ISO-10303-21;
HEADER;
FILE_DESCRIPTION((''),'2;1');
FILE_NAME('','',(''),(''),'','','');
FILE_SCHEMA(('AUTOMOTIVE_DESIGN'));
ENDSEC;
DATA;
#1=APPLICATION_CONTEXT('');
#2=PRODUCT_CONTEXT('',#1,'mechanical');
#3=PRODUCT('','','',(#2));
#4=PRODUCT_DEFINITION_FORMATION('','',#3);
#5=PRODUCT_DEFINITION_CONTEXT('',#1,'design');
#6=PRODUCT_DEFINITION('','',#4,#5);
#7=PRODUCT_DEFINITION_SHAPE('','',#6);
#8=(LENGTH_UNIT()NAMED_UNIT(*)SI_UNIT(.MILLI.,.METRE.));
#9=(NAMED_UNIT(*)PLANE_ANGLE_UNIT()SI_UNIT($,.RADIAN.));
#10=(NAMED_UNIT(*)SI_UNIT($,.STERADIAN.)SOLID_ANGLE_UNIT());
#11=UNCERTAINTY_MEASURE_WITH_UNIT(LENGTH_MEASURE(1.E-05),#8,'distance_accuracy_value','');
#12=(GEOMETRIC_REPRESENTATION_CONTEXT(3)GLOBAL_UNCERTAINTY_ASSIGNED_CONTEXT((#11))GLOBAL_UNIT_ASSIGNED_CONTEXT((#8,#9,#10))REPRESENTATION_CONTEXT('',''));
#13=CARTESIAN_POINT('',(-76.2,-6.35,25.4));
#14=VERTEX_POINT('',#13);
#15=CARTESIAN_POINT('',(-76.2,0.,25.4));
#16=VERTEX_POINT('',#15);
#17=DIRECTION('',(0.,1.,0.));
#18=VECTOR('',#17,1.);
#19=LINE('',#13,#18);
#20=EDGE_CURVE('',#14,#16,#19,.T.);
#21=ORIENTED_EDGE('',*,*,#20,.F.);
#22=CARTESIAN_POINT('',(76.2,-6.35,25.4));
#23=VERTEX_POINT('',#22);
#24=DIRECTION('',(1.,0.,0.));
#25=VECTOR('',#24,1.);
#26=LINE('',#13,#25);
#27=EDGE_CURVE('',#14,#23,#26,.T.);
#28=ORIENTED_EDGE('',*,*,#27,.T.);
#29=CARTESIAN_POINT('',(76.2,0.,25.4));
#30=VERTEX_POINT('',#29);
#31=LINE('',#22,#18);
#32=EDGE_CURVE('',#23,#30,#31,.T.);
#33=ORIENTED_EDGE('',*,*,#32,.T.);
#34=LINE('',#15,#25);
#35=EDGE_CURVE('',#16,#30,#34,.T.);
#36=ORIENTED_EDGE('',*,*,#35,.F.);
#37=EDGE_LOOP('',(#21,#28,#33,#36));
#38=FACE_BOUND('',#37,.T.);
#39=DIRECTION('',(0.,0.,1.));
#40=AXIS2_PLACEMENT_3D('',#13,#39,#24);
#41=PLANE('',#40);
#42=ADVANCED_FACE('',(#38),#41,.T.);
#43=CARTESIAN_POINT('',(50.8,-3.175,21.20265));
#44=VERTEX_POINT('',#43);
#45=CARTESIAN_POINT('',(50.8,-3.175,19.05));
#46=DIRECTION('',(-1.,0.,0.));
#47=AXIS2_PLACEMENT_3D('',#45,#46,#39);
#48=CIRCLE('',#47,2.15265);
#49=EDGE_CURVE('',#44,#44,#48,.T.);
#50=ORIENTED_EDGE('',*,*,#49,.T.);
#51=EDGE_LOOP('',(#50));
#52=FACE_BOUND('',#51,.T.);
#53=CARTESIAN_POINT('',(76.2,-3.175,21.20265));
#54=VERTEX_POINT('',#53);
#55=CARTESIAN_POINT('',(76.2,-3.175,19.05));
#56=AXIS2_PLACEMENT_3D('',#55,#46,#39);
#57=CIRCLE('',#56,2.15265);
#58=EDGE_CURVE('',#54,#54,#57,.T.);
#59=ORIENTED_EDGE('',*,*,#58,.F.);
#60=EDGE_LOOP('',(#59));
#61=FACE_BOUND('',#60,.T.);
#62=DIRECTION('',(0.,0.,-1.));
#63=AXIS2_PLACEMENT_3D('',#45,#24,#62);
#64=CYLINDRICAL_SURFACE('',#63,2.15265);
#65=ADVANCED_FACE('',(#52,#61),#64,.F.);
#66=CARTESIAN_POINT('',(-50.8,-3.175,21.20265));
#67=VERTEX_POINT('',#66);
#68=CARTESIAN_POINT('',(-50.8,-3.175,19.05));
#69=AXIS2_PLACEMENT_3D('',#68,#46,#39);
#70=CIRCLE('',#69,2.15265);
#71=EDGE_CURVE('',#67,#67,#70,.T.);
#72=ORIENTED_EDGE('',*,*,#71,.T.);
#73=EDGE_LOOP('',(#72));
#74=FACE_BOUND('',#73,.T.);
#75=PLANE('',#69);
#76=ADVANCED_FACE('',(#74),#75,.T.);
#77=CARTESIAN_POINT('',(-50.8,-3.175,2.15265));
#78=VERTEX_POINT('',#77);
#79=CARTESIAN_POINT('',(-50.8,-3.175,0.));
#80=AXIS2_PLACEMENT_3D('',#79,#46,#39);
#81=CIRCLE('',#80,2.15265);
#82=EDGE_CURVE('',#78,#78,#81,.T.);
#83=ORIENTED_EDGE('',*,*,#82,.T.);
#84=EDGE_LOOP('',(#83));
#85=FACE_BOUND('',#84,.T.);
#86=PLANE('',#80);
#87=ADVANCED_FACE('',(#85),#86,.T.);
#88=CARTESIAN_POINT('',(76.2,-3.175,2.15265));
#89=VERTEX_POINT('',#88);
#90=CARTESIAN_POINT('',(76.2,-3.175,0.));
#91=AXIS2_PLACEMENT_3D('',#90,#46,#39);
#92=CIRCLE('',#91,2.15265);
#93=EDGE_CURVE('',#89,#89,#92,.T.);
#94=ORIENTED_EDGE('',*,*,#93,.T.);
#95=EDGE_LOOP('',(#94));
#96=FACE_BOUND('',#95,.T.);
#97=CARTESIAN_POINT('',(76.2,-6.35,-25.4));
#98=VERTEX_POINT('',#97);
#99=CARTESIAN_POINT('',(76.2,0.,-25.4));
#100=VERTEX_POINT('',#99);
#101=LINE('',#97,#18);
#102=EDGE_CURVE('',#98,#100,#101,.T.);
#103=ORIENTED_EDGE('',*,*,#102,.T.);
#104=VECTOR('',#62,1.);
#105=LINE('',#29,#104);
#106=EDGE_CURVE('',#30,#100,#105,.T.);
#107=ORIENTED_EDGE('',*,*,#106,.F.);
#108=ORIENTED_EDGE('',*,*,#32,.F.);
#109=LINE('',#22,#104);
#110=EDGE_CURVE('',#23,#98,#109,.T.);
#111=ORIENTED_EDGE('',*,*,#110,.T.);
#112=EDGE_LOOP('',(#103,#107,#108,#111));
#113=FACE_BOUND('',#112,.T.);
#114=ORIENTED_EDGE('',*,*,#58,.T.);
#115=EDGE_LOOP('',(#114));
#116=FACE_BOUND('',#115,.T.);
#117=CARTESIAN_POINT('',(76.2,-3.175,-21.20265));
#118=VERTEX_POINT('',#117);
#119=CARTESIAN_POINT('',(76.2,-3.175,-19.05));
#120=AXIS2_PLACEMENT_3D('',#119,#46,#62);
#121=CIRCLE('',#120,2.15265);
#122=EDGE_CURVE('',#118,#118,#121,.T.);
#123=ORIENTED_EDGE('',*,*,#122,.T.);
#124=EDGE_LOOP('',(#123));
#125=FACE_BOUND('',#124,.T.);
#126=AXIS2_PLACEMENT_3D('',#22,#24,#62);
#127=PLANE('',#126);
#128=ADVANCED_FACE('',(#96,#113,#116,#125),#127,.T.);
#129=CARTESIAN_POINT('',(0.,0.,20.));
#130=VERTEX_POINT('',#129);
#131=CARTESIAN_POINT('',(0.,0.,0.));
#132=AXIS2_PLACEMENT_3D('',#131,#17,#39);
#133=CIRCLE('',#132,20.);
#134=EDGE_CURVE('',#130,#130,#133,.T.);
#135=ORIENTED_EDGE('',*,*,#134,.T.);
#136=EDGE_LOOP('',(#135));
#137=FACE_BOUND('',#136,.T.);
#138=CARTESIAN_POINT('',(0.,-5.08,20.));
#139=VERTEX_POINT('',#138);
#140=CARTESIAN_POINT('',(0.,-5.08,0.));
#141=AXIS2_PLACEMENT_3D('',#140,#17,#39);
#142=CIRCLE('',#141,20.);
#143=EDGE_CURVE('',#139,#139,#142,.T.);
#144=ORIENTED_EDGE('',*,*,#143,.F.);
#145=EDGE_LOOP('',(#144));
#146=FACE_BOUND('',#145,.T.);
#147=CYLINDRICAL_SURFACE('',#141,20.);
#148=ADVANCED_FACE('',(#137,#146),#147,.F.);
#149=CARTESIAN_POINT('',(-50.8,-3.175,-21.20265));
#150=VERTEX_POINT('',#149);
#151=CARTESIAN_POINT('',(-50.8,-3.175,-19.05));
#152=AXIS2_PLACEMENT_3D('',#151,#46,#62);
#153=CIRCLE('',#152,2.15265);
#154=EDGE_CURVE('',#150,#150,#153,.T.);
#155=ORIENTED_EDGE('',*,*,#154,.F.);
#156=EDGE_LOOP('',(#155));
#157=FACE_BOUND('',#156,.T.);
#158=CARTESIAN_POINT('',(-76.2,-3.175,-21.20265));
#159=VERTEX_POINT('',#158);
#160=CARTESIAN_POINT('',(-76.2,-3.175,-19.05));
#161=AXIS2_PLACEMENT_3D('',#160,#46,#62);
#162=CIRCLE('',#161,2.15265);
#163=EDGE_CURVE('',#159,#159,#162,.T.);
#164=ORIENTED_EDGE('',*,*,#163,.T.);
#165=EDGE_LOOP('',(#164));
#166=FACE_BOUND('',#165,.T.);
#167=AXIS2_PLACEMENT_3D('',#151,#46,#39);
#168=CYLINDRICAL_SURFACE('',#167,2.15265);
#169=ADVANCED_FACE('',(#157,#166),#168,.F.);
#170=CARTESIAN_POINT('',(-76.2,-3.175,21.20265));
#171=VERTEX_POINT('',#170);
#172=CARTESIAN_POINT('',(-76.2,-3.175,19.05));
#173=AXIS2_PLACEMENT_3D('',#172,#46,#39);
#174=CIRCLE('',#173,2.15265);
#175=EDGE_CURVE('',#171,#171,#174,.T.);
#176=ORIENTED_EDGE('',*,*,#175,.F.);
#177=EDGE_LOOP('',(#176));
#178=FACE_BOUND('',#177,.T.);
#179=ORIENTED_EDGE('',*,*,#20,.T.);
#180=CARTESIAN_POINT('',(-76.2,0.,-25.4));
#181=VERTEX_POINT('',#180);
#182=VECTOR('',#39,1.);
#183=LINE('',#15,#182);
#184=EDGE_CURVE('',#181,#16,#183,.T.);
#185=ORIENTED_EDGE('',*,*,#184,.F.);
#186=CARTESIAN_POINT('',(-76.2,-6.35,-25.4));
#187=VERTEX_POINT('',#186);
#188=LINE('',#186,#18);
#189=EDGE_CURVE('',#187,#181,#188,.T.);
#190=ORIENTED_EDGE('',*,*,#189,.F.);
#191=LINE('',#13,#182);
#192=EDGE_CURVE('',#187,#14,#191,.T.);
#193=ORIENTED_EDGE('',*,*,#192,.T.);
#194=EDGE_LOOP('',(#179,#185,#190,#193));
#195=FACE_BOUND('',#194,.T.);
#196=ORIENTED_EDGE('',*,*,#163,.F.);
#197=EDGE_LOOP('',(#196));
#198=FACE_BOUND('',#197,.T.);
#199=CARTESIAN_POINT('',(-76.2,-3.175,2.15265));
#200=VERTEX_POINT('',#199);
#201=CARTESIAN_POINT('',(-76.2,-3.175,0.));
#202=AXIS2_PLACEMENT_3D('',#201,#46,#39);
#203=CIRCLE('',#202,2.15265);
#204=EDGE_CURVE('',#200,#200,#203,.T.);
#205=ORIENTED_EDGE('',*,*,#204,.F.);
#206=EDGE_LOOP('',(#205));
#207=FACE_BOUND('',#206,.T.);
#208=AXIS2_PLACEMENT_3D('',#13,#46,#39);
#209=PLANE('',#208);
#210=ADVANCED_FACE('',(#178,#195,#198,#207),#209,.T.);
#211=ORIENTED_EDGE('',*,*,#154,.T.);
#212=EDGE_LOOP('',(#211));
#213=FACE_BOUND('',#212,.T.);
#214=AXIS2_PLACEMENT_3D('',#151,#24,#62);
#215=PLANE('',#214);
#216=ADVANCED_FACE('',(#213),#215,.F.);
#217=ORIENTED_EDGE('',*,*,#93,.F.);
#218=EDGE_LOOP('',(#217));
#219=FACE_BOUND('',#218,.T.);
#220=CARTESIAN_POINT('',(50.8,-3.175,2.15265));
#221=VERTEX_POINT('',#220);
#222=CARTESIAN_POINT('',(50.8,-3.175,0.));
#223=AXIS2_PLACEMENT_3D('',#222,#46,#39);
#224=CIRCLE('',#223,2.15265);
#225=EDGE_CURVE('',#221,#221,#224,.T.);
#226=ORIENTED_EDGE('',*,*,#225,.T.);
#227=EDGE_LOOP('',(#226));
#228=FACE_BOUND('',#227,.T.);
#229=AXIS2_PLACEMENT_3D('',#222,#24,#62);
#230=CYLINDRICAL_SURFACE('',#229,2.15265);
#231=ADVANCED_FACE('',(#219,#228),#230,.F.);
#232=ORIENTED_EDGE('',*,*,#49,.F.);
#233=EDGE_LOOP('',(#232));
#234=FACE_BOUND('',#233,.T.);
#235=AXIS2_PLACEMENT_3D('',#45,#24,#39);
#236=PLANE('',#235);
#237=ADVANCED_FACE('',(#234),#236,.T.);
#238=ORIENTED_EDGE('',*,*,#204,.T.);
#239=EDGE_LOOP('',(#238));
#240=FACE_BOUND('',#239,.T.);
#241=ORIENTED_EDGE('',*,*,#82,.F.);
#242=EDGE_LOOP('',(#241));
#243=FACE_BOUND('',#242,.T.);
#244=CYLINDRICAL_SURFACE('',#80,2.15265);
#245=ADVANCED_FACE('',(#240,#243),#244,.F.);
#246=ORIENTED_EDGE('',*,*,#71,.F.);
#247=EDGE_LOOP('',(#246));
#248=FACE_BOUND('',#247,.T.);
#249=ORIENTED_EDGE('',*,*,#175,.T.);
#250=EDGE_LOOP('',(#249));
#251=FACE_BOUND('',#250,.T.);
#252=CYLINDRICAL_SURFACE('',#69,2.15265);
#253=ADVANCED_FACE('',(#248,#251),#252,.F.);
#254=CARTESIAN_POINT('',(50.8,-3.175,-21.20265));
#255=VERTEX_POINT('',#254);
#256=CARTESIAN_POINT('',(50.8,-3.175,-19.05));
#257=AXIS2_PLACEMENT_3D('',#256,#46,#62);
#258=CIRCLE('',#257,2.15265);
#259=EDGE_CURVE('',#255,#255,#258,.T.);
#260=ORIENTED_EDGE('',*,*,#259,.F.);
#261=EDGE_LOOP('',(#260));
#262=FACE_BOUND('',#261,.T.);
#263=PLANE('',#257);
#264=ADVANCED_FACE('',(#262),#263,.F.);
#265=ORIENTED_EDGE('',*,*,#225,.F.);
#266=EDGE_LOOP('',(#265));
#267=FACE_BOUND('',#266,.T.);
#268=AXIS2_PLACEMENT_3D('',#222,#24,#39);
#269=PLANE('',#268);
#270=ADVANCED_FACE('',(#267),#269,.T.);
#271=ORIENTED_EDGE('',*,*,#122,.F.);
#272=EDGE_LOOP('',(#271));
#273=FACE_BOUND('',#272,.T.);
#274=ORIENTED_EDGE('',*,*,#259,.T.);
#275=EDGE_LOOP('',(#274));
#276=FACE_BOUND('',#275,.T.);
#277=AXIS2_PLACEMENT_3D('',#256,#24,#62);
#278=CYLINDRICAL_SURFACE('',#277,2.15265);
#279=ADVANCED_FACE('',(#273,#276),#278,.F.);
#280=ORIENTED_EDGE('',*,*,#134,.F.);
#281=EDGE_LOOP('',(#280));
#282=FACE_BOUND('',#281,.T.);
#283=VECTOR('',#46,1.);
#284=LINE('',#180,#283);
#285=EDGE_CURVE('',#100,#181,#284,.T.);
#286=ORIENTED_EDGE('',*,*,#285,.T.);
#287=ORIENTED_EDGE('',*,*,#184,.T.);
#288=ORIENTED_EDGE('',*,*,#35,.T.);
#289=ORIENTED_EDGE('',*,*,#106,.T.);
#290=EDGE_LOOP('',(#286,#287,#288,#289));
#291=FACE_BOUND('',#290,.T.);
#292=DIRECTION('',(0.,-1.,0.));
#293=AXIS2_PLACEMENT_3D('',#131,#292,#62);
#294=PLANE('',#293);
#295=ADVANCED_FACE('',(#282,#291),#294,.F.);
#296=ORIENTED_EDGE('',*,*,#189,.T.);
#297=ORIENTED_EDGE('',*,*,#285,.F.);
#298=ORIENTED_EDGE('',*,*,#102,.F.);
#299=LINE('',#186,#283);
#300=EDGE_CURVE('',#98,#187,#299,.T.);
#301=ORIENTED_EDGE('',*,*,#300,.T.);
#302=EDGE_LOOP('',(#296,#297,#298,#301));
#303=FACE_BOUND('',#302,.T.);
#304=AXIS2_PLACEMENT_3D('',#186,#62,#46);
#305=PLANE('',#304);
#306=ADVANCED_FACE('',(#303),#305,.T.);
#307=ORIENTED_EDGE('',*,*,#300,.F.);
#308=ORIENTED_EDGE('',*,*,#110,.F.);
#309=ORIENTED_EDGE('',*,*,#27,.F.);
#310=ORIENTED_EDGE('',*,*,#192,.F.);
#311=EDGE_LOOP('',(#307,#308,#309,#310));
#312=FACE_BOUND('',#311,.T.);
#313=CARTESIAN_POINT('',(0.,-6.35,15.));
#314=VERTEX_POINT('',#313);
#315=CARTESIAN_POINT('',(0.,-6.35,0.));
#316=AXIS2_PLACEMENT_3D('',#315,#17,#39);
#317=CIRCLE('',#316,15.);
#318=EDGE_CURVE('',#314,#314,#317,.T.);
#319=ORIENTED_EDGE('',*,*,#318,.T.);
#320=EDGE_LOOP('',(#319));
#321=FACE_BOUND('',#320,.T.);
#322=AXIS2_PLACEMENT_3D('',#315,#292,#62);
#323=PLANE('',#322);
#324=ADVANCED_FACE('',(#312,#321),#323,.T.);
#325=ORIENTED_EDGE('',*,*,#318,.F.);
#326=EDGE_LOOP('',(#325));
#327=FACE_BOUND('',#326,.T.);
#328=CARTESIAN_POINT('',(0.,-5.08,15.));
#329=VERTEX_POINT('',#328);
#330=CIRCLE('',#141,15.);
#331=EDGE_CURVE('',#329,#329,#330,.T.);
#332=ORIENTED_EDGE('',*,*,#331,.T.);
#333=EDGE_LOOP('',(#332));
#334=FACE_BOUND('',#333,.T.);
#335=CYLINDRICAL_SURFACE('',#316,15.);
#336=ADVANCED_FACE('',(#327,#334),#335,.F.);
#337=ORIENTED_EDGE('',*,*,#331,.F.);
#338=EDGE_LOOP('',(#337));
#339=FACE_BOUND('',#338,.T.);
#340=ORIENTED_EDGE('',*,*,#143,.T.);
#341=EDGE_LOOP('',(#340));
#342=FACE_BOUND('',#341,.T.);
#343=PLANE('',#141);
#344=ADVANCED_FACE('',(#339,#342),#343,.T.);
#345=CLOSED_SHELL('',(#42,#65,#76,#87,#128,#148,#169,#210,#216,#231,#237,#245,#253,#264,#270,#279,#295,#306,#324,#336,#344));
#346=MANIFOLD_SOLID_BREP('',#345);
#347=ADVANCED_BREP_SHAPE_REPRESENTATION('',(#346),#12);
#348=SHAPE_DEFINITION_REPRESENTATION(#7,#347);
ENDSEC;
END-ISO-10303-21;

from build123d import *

# Parameters (mm, degrees)
SKETCH1_W           = 152.4
SKETCH1_H           = 50.8
BOSS_EXTRUDE1_DEPTH = 6.35
SKETCH2_R           = 20
CUT_EXTRUDE1_DEPTH  = 5.08
SKETCH3_R           = 15
CUT_EXTRUDE2_DEPTH  = 81.48233595
SKETCH5_R           = 2.15265
CUT_EXTRUDE4_DEPTH  = 25.4


with BuildPart() as part:
    # Sketch1 → Boss-Extrude1 (new body)
    with BuildSketch(Plane(origin=(0, 0, 0), x_dir=(1, 0, 0), z_dir=(0, 1, 0))):
        Rectangle(SKETCH1_W, SKETCH1_H)
    extrude(amount=-BOSS_EXTRUDE1_DEPTH)

    # Sketch2 → Cut-Extrude1 (cut)
    with BuildSketch(Plane(origin=(0, 0, 0), x_dir=(1, 0, 0), z_dir=(0, 1, 0))):
        with Locations(Location((0, 0, 0), (0, 0, 270))):
            Circle(SKETCH2_R)
    extrude(amount=-CUT_EXTRUDE1_DEPTH, mode=Mode.SUBTRACT)

    # Sketch3 → Cut-Extrude2 (cut, through all)
    with BuildSketch(Plane(origin=(0, -5.08, 0), x_dir=(1, 0, 0), z_dir=(0, 1, 0))):
        with Locations(Location((0, 0, 0), (0, 0, 270))):
            Circle(SKETCH3_R)
    extrude(amount=-CUT_EXTRUDE2_DEPTH, mode=Mode.SUBTRACT)

    # Sketch5 → Cut-Extrude4 (cut)
    with BuildSketch(Plane.ZY.offset(76.2)):
        with Locations((0, -3.175)):
            Circle(SKETCH5_R)
        with Locations((19.05, -3.175)):
            Circle(SKETCH5_R)
        with Locations(Location((-19.05, -3.175, 0), (0, 0, 180))):
            Circle(SKETCH5_R)
    cut_extrude4 = extrude(amount=-CUT_EXTRUDE4_DEPTH, mode=Mode.SUBTRACT)

    # Mirror1: Cut-Extrude4 across plane
    add(cut_extrude4.mirror(Plane(origin=(0, 0, 0), x_dir=(0, 0, 1), z_dir=(1, 0, 0))), mode=Mode.SUBTRACT)


solid = part.part
